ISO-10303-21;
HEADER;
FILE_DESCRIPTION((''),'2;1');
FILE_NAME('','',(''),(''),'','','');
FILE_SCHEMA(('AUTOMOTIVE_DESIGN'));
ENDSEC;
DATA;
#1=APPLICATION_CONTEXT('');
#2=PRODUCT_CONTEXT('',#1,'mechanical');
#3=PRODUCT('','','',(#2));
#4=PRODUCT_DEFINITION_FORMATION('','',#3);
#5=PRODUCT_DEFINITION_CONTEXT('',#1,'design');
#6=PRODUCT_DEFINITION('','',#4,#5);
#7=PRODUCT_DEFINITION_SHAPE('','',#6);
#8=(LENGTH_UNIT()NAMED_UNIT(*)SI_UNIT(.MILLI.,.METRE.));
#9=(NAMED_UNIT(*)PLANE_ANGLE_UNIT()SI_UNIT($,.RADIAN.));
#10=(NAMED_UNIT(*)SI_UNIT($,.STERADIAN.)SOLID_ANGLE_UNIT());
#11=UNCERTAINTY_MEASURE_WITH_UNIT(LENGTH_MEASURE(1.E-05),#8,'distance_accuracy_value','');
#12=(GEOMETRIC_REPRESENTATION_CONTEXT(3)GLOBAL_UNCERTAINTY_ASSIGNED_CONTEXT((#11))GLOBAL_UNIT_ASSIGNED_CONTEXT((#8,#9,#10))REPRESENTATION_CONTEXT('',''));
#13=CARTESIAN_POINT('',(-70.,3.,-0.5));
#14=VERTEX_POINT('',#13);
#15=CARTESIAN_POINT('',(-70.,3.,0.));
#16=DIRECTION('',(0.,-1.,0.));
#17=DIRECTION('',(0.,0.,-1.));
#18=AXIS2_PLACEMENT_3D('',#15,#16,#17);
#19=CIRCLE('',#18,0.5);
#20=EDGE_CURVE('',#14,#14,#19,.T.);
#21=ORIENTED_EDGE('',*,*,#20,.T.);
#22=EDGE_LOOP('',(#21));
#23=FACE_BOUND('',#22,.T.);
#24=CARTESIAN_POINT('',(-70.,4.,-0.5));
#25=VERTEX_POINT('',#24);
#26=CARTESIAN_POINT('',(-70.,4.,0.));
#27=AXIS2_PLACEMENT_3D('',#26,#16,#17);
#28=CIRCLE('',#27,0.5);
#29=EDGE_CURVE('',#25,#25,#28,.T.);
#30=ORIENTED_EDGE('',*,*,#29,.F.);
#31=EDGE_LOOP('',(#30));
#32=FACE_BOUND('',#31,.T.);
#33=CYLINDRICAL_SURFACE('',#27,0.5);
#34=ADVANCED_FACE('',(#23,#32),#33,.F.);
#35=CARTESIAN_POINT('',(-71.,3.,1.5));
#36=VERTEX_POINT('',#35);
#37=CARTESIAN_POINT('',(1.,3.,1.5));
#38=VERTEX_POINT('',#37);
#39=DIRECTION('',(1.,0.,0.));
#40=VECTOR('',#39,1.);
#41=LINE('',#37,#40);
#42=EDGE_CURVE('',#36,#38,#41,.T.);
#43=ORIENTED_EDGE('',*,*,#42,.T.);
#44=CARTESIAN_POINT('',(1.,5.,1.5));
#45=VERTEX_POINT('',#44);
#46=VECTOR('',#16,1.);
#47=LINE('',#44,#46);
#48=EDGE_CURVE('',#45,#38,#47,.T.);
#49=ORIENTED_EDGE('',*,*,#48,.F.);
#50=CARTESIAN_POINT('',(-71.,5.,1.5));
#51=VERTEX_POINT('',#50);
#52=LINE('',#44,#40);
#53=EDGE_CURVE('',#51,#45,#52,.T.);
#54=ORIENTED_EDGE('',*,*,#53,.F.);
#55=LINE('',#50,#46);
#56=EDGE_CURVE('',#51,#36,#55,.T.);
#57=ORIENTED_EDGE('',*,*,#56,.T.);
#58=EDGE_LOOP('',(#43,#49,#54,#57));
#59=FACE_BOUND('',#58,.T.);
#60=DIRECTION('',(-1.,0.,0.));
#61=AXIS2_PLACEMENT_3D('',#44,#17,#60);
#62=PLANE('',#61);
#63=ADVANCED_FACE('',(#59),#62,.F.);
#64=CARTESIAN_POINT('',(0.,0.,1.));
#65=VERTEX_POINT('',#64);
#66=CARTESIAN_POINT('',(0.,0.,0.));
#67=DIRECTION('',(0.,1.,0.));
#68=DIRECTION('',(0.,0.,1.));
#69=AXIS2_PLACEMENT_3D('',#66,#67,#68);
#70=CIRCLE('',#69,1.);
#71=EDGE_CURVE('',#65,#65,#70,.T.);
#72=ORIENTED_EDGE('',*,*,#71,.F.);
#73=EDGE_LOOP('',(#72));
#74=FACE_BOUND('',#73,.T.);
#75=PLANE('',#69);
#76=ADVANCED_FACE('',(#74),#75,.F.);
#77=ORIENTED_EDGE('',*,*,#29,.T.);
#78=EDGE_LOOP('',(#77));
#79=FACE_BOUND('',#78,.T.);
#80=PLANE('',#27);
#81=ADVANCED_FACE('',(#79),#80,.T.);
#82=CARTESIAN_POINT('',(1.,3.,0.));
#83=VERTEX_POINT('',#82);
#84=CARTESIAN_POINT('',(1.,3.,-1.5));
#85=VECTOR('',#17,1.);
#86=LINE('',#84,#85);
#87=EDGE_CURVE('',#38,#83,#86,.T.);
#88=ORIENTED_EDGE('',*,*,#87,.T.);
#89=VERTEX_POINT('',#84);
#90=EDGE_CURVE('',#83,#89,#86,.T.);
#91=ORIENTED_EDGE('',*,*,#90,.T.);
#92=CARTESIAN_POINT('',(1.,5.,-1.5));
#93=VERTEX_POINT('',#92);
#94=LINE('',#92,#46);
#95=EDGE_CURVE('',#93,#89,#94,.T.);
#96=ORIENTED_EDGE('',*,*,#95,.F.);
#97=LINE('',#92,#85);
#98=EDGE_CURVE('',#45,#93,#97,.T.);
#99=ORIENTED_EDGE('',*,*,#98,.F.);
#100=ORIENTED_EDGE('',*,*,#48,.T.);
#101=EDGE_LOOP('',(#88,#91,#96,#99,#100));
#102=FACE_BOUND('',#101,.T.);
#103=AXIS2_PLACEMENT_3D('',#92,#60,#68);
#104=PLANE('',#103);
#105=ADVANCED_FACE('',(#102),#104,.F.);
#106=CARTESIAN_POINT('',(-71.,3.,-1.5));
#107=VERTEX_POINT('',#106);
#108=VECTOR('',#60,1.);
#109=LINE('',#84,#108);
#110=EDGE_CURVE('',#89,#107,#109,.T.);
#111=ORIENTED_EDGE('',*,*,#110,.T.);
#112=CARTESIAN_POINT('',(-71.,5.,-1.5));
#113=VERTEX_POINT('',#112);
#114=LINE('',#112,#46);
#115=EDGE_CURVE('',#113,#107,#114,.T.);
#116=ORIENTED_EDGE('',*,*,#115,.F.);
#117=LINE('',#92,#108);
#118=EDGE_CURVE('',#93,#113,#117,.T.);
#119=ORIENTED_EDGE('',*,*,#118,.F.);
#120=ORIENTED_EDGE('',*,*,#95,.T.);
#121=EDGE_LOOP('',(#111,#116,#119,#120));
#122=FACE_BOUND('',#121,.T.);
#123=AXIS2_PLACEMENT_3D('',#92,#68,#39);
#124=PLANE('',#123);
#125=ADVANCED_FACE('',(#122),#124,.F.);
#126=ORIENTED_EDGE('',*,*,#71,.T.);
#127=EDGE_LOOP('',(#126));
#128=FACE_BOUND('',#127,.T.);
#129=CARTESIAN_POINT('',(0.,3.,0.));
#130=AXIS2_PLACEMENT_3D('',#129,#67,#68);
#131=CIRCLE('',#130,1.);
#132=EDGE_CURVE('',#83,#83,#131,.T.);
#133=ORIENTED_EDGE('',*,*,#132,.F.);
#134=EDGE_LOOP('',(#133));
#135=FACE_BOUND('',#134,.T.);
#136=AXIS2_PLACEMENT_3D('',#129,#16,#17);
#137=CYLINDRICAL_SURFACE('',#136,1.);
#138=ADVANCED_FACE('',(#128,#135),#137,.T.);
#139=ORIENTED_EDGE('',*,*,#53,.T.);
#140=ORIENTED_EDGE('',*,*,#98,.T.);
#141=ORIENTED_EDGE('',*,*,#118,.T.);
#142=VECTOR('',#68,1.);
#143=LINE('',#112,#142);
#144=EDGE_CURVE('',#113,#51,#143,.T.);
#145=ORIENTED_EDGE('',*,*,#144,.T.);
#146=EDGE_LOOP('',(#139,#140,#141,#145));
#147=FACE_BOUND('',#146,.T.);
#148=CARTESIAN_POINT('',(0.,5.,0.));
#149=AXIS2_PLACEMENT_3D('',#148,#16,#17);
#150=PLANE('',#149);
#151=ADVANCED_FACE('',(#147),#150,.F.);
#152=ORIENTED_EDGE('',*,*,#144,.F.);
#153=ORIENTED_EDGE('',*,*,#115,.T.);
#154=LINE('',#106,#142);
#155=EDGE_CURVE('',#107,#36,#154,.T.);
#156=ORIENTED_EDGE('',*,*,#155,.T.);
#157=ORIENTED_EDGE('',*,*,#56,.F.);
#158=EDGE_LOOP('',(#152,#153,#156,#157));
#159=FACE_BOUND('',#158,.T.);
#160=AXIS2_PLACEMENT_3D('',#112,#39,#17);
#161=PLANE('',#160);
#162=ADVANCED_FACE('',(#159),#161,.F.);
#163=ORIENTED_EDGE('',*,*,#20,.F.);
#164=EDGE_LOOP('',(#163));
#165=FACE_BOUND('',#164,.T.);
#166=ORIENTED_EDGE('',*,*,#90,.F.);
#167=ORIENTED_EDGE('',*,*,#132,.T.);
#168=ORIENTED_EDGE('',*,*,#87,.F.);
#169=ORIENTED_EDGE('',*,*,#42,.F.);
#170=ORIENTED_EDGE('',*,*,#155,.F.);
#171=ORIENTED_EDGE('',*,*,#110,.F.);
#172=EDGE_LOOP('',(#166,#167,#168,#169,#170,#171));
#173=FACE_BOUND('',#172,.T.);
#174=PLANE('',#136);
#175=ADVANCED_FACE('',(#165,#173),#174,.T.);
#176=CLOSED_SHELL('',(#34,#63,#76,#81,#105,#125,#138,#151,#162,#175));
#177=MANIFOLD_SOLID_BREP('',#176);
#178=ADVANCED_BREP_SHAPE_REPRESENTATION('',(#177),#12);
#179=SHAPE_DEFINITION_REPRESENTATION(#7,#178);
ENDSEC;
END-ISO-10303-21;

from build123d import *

# Parameters (mm, degrees)
SKETCH1_R           = 1
BOSS_EXTRUDE1_DEPTH = 3
SKETCH2_W           = 72
SKETCH2_H           = 3
BOSS_EXTRUDE2_DEPTH = 2
SKETCH3_R           = 0.5
CUT_EXTRUDE6_DEPTH  = 1


with BuildPart() as part:
    # Sketch1 → Boss-Extrude1 (new body)
    with BuildSketch(Plane(origin=(0, 0, 0), x_dir=(1, 0, 0), z_dir=(0, 1, 0))):
        with Locations(Location((0, 0, 0), (0, 0, 270))):
            Circle(SKETCH1_R)
    extrude(amount=BOSS_EXTRUDE1_DEPTH)

    # Sketch2 → Boss-Extrude2 (add)
    with BuildSketch(Plane(origin=(0, 3, 0), x_dir=(1, 0, 0), z_dir=(0, 1, 0))):
        with Locations((-35, 0)):
            Rectangle(SKETCH2_W, SKETCH2_H)
    extrude(amount=BOSS_EXTRUDE2_DEPTH)

    # Sketch3 → Cut-Extrude6 (cut)
    with BuildSketch(Plane.XZ.offset(-3)):
        with Locations(Location((-70, 0, 0), (0, 0, 270))):
            Circle(SKETCH3_R)
    extrude(amount=-CUT_EXTRUDE6_DEPTH, mode=Mode.SUBTRACT)


solid = part.part
